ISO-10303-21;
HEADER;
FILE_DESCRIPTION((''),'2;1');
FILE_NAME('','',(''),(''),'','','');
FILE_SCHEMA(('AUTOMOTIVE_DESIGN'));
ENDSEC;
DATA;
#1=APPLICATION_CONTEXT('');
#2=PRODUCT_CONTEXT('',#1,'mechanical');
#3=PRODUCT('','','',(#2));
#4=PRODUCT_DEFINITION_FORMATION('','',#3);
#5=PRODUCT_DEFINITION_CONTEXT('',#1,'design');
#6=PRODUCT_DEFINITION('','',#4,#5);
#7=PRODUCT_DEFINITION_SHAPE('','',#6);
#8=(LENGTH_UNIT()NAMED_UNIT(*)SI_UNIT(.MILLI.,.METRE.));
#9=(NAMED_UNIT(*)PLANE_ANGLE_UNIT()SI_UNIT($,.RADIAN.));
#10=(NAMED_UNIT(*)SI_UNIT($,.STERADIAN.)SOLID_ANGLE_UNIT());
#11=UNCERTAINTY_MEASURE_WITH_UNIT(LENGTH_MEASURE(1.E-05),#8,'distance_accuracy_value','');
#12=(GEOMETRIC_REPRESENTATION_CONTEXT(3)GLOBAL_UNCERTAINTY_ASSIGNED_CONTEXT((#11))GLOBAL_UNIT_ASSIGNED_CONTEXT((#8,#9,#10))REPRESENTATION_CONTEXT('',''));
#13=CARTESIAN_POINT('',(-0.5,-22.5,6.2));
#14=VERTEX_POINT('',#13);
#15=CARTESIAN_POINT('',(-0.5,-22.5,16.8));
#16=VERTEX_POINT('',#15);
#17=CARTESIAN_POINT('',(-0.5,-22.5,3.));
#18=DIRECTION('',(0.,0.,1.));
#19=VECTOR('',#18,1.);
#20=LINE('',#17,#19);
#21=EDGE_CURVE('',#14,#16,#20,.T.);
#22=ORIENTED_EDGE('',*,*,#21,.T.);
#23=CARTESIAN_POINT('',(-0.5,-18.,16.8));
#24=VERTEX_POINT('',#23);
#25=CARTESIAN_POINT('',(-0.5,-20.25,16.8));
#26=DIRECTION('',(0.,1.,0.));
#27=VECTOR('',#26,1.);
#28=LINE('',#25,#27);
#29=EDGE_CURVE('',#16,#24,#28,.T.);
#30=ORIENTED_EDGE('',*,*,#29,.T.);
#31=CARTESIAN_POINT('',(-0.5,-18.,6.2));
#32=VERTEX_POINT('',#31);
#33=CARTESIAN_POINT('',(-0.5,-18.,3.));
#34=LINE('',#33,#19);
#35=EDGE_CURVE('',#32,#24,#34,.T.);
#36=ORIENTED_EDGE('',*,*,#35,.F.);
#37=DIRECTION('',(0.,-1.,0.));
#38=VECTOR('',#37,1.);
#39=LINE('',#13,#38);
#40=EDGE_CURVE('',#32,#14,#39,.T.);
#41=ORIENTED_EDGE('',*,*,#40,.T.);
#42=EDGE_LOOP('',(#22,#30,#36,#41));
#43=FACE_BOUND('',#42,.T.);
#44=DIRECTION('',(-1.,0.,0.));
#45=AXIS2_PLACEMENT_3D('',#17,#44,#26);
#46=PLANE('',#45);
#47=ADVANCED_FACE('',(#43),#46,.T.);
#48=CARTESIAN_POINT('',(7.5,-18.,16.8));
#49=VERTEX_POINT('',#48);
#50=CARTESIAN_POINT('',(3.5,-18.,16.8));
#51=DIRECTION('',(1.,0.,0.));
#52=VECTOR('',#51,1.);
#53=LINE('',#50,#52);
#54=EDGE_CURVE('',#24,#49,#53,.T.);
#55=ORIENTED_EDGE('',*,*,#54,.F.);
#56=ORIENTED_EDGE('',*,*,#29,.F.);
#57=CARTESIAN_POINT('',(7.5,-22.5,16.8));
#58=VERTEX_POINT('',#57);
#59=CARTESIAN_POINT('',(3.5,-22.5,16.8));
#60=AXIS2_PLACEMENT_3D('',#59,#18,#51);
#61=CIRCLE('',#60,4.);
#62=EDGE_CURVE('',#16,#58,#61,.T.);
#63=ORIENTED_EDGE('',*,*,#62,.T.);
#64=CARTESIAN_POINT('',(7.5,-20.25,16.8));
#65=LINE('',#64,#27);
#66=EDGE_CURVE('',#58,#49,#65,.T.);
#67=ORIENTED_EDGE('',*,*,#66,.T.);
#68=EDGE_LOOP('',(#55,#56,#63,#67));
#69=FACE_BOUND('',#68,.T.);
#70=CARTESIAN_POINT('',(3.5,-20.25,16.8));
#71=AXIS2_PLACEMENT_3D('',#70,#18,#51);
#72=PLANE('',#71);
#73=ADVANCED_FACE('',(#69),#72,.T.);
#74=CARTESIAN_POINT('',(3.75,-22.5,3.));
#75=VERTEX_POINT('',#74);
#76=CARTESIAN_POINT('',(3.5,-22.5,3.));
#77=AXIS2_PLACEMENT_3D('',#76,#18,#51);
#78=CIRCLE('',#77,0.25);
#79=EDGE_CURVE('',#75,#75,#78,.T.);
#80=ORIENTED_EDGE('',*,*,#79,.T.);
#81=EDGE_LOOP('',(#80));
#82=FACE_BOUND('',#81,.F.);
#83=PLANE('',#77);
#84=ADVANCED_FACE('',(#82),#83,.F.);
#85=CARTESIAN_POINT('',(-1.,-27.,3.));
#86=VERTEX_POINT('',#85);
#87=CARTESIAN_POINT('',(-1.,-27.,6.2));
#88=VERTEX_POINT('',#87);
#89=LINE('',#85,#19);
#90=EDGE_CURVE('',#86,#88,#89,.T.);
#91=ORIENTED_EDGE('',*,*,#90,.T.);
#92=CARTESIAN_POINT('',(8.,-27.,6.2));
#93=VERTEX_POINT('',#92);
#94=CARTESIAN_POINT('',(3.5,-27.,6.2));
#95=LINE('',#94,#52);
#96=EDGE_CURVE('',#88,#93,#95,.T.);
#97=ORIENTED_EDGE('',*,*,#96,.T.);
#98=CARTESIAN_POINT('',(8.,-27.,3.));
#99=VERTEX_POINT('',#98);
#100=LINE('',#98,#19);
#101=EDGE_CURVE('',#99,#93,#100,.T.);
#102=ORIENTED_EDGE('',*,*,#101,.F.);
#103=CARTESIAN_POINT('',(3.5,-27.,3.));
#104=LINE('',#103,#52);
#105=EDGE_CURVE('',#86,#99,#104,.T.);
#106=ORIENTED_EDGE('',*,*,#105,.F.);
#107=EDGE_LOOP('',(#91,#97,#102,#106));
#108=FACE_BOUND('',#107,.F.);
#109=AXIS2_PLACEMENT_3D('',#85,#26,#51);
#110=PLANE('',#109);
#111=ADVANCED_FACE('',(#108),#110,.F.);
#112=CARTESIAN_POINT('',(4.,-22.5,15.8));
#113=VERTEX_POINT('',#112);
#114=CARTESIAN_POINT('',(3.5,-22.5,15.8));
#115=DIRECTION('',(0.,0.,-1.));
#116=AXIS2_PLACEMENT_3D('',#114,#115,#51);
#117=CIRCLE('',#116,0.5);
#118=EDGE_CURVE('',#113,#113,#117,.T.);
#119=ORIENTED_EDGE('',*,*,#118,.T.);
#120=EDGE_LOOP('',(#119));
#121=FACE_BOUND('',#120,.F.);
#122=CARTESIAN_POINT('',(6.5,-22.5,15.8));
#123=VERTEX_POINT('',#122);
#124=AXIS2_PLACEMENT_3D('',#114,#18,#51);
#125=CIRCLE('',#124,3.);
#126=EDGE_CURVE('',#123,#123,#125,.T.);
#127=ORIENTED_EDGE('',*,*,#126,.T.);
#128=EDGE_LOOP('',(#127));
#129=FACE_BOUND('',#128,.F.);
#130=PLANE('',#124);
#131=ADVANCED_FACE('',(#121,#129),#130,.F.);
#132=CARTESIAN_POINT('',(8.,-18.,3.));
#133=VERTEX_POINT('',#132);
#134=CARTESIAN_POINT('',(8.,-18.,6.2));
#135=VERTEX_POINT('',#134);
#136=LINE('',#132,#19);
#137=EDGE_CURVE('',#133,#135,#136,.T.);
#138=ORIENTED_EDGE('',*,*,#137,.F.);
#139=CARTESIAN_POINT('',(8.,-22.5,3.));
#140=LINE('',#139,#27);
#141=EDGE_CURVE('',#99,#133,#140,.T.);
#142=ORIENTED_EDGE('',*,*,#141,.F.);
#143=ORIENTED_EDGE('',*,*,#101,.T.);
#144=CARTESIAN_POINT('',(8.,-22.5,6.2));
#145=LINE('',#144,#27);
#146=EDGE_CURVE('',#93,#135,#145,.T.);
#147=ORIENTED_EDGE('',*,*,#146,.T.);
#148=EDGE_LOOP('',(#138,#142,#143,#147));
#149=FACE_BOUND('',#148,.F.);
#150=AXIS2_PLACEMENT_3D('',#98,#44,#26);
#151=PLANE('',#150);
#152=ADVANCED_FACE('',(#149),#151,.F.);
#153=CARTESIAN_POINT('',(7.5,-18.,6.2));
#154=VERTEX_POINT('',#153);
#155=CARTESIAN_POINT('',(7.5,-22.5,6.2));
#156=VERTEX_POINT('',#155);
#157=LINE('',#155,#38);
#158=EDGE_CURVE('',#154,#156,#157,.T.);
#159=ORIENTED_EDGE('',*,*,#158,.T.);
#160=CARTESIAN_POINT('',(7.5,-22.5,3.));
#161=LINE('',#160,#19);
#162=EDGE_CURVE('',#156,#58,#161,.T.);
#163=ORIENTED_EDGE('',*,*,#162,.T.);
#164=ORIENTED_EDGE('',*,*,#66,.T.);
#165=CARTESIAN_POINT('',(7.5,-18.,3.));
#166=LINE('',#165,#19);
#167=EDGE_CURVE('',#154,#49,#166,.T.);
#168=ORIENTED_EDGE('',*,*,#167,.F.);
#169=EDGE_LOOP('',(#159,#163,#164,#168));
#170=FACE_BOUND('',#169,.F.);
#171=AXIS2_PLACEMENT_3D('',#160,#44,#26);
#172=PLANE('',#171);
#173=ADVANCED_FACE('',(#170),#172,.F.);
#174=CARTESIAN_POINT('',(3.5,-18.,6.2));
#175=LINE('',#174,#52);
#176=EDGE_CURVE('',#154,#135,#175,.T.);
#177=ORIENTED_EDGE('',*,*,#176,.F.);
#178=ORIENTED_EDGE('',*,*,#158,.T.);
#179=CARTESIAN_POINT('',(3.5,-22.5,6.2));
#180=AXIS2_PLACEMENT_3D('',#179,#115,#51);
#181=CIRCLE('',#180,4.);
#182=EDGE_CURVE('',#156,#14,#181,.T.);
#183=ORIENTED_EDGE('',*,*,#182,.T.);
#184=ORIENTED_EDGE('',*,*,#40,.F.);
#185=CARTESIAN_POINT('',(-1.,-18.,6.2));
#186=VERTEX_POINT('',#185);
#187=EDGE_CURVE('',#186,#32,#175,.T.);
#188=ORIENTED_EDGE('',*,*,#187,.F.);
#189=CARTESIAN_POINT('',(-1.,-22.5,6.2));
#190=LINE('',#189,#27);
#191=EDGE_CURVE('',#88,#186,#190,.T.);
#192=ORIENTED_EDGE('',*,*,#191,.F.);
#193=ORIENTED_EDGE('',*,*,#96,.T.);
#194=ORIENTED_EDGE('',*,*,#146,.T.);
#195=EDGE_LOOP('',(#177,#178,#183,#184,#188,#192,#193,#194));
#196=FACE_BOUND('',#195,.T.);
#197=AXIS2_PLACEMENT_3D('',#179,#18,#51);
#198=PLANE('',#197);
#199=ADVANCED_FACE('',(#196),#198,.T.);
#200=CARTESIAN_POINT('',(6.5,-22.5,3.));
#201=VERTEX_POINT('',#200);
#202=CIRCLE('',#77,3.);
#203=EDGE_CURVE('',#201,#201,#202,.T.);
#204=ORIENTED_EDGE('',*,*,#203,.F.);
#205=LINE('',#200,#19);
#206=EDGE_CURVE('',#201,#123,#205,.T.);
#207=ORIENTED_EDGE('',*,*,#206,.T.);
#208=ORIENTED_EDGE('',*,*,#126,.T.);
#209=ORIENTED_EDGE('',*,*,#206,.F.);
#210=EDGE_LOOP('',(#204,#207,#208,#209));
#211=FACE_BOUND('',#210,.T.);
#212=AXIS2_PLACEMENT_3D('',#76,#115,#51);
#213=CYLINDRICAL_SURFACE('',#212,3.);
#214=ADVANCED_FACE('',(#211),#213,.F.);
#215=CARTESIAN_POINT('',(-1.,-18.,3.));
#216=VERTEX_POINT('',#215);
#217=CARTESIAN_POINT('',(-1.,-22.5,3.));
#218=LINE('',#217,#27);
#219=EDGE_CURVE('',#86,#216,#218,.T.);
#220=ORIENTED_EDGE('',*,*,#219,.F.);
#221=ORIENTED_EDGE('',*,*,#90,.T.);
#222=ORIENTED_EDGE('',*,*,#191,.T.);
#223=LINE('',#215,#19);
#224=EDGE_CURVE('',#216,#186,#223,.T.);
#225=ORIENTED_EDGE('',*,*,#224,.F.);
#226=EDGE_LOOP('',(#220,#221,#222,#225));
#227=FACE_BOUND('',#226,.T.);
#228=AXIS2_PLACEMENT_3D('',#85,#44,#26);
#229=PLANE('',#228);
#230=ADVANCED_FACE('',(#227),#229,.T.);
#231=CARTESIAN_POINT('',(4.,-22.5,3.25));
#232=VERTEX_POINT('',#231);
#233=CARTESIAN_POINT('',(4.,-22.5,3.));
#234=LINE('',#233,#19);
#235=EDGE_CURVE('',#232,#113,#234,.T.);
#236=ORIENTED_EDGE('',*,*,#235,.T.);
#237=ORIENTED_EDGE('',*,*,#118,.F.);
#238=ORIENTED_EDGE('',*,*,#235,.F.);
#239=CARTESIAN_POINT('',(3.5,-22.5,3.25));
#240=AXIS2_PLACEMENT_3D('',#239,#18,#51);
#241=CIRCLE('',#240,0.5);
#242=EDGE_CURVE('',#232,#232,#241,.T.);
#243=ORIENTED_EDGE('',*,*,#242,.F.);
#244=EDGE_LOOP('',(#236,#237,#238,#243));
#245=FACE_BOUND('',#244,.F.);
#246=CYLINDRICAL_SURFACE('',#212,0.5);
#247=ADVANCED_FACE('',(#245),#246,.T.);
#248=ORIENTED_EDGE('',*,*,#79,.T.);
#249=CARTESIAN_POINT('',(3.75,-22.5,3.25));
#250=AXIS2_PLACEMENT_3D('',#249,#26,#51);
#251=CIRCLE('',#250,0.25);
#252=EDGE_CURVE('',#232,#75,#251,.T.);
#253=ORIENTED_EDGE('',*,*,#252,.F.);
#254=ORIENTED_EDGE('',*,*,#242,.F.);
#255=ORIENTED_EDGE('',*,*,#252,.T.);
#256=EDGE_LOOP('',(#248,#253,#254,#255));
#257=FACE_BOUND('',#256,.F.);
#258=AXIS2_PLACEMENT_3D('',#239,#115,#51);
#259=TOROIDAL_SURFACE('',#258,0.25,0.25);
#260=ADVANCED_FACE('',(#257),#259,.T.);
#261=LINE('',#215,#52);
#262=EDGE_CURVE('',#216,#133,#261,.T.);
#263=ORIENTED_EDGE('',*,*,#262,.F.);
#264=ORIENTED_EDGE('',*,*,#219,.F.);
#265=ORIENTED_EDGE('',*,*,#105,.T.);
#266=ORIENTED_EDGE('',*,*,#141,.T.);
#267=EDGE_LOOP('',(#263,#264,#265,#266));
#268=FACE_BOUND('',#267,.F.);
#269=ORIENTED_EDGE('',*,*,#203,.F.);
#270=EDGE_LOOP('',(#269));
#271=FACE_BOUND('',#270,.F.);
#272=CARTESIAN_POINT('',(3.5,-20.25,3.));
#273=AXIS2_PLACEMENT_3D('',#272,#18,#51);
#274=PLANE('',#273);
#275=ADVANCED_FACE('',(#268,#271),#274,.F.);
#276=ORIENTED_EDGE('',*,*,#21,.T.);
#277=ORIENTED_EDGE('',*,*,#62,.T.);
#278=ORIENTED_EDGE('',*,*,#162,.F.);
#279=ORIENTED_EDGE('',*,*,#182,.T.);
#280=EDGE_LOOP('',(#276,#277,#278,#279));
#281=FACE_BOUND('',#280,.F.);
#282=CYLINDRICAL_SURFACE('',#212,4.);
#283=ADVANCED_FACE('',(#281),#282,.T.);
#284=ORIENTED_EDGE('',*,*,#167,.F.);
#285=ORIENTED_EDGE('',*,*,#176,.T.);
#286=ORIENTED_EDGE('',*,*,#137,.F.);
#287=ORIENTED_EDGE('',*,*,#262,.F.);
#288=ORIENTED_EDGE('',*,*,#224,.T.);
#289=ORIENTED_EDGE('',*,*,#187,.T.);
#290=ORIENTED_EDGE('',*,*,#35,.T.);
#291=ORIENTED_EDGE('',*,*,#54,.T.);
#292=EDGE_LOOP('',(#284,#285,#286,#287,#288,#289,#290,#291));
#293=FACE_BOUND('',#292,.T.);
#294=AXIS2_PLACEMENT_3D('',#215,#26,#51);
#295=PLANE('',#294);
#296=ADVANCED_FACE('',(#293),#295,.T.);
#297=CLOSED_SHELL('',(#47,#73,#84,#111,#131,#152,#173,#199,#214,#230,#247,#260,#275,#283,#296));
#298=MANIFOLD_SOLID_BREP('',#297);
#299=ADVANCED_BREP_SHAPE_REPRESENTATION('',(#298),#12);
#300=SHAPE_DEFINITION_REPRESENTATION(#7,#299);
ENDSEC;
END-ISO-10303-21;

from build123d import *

# Parameters (mm, degrees)
CYLINDER265_R     = 0.5
CYLINDER265_DEPTH = 13.5
FILLET221_R       = 0.25
CYLINDER264_R     = 3
CYLINDER264_DEPTH = 12.8
CYLINDER263_R     = 4
CYLINDER263_DEPTH = 13.8
BOX299_W          = 8
BOX299_H          = 4.5
BOX299_DEPTH      = 13.8
BOX298_W          = 9
BOX298_H          = 9
BOX298_DEPTH      = 3.2


with BuildPart() as fillet221:
    # Cylinder265 → Cylinder265 (new body)
    with BuildSketch(Plane.XY):
        Circle(CYLINDER265_R)
    extrude(amount=CYLINDER265_DEPTH)

    # Fillet221
    fillet221_edges = [fillet221.edges().sort_by_distance(p)[0] for p in [
        (-0.5, 0, 0),
    ]]
    fillet(fillet221_edges, radius=FILLET221_R)


with BuildPart() as fillet221_1:
    # Fillet221 placement: moved
    add(fillet221.part.moved(Location((4.5, 4.5, 0))))


with BuildPart() as cilindro264:
    # Cylinder264 → Cylinder264 (new body)
    with BuildSketch(Plane(origin=(4.5, 4.5, 0), x_dir=(1, 0, 0), z_dir=(0, 0, 1))):
        Circle(CYLINDER264_R)
    extrude(amount=CYLINDER264_DEPTH)


with BuildPart() as cilindro263:
    # Cylinder263 → Cylinder263 (new body)
    with BuildSketch(Plane(origin=(4.5, 4.5, 0), x_dir=(1, 0, 0), z_dir=(0, 0, 1))):
        Circle(CYLINDER263_R)
    extrude(amount=CYLINDER263_DEPTH)


with BuildPart() as cubo284:
    # Box299 → Box299 (new body)
    with BuildSketch(Plane(origin=(0.5, 4.5, 0), x_dir=(1, 0, 0), z_dir=(0, 0, 1))):
        with Locations((4, 2.25)):
            Rectangle(BOX299_W, BOX299_H)
    extrude(amount=BOX299_DEPTH)


with BuildPart() as conector_vcc:
    # Box298 → Box298 (new body)
    with BuildSketch(Plane.XY):
        with Locations((4.5, 4.5)):
            Rectangle(BOX298_W, BOX298_H)
    extrude(amount=BOX298_DEPTH)

    # Fusion202: union Cilindro263, Cubo284
    add(cilindro263.part)
    add(cubo284.part)

    # Cut346: cut Cilindro264
    add(cilindro264.part, mode=Mode.SUBTRACT)

    # Fusion203: union Fillet221
    add(fillet221_1.part)


with BuildPart() as conector_vcc_1:
    # Fusion203 placement: moved
    add(conector_vcc.part.moved(Location((-1, -27, 3))))


solid = conector_vcc_1.part
